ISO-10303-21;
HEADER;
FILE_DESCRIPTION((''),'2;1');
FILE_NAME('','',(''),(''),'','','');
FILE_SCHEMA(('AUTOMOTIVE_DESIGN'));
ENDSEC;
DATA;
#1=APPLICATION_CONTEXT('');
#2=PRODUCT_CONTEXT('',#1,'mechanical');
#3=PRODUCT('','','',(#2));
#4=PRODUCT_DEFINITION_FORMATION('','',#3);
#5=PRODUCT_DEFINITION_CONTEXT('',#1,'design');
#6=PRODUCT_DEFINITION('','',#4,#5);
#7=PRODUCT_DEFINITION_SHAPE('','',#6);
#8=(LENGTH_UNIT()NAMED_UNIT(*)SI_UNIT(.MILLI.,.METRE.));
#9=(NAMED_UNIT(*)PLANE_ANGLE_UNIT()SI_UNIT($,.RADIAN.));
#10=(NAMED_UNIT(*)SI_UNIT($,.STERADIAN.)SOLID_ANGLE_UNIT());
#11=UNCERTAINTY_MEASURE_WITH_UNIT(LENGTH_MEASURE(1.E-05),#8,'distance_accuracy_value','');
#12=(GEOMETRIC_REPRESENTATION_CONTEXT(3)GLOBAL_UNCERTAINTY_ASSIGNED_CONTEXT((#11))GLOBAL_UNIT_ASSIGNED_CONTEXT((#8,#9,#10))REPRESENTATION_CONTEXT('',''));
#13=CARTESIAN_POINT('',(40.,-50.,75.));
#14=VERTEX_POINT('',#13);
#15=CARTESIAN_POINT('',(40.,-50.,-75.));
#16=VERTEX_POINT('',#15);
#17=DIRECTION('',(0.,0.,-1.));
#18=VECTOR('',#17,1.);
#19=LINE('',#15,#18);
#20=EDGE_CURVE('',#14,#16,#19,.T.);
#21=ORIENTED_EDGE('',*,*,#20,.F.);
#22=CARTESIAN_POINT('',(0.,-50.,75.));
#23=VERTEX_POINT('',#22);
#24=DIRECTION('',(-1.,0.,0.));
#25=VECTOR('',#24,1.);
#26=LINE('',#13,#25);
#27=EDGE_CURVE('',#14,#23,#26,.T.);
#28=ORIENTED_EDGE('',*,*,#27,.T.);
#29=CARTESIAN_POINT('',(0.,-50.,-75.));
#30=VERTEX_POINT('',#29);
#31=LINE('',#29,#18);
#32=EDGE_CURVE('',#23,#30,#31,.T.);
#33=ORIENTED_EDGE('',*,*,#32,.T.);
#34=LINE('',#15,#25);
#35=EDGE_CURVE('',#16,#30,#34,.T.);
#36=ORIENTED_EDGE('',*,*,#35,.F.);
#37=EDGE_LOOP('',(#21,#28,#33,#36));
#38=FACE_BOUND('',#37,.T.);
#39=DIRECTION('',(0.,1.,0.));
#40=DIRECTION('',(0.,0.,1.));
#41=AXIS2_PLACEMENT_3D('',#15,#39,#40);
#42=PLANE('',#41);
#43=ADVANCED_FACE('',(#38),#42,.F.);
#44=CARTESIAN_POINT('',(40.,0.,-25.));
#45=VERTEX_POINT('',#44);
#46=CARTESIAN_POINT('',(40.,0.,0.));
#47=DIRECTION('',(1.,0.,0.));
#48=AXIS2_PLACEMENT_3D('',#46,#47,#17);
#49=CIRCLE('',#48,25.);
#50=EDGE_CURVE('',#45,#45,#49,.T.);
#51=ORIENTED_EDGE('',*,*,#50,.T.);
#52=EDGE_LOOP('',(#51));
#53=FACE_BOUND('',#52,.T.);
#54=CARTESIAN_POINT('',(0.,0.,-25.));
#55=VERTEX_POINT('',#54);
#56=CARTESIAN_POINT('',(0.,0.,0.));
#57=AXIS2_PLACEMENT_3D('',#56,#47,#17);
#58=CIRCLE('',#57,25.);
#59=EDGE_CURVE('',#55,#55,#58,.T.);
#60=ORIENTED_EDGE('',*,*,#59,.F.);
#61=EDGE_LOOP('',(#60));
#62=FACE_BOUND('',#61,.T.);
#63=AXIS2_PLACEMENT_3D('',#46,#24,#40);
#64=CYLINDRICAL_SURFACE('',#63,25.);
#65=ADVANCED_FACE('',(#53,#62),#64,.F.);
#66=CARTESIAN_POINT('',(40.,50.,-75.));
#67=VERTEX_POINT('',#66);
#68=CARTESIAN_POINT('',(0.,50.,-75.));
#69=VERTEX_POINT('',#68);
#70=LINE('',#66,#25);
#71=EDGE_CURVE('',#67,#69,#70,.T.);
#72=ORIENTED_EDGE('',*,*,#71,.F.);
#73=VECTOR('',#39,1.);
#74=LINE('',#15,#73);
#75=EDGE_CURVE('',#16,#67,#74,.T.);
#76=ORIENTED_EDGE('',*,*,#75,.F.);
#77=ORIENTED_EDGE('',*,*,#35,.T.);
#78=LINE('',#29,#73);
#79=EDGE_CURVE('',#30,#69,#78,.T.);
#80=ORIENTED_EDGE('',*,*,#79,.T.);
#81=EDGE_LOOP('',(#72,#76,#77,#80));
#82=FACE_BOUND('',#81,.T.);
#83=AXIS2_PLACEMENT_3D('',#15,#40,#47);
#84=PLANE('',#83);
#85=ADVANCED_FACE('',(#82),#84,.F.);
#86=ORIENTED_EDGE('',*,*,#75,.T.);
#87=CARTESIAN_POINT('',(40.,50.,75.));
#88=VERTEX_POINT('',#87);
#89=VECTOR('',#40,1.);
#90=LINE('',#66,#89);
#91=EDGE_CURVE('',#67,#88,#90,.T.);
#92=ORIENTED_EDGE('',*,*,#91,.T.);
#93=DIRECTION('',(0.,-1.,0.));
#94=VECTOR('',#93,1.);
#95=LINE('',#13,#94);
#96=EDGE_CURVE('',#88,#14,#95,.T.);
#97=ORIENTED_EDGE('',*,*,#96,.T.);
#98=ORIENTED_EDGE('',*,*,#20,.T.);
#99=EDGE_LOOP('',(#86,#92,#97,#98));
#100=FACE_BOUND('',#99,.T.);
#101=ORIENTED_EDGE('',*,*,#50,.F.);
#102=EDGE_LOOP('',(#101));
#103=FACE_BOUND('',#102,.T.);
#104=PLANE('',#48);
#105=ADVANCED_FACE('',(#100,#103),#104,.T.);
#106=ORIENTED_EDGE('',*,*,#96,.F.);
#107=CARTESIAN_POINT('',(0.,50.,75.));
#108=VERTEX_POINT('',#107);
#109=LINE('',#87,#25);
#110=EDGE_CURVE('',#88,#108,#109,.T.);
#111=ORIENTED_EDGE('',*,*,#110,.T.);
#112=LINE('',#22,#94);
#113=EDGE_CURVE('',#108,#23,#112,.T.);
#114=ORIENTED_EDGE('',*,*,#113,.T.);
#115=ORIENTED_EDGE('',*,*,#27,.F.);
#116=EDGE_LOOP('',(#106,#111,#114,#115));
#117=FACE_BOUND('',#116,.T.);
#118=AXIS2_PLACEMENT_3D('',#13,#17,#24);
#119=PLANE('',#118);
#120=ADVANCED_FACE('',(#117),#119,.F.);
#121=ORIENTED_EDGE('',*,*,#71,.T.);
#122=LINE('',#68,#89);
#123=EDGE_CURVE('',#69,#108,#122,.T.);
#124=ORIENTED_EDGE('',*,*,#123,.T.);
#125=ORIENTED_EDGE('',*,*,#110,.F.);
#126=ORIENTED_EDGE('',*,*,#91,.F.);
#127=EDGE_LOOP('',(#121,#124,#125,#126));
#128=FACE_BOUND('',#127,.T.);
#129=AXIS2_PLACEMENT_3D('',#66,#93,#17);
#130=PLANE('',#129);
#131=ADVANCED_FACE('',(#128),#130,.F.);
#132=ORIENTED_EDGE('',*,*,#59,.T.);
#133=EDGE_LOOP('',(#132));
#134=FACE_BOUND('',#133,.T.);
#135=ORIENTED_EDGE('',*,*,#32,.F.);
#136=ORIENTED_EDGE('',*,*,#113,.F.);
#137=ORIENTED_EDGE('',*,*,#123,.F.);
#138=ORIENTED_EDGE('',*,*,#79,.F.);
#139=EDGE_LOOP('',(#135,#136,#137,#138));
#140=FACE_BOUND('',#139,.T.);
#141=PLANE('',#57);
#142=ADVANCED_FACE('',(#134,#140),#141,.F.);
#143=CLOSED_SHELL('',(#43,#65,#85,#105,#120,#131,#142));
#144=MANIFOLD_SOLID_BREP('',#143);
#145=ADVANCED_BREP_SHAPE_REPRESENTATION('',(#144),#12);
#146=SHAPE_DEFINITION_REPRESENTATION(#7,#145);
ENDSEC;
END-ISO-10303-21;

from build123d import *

# Parameters (mm, degrees)
SKETCH1_W           = 150
SKETCH1_H           = 100
SKETCH1_R           = 25
BOSS_EXTRUDE1_DEPTH = 40


with BuildPart() as part:
    # Sketch1 → Boss-Extrude1 (new body)
    with BuildSketch(Plane(origin=(0, 0, 0), x_dir=(0, 0, -1), z_dir=(1, 0, 0))):
        Rectangle(SKETCH1_W, SKETCH1_H)
        Circle(SKETCH1_R, mode=Mode.SUBTRACT)
    extrude(amount=BOSS_EXTRUDE1_DEPTH)


solid = part.part
